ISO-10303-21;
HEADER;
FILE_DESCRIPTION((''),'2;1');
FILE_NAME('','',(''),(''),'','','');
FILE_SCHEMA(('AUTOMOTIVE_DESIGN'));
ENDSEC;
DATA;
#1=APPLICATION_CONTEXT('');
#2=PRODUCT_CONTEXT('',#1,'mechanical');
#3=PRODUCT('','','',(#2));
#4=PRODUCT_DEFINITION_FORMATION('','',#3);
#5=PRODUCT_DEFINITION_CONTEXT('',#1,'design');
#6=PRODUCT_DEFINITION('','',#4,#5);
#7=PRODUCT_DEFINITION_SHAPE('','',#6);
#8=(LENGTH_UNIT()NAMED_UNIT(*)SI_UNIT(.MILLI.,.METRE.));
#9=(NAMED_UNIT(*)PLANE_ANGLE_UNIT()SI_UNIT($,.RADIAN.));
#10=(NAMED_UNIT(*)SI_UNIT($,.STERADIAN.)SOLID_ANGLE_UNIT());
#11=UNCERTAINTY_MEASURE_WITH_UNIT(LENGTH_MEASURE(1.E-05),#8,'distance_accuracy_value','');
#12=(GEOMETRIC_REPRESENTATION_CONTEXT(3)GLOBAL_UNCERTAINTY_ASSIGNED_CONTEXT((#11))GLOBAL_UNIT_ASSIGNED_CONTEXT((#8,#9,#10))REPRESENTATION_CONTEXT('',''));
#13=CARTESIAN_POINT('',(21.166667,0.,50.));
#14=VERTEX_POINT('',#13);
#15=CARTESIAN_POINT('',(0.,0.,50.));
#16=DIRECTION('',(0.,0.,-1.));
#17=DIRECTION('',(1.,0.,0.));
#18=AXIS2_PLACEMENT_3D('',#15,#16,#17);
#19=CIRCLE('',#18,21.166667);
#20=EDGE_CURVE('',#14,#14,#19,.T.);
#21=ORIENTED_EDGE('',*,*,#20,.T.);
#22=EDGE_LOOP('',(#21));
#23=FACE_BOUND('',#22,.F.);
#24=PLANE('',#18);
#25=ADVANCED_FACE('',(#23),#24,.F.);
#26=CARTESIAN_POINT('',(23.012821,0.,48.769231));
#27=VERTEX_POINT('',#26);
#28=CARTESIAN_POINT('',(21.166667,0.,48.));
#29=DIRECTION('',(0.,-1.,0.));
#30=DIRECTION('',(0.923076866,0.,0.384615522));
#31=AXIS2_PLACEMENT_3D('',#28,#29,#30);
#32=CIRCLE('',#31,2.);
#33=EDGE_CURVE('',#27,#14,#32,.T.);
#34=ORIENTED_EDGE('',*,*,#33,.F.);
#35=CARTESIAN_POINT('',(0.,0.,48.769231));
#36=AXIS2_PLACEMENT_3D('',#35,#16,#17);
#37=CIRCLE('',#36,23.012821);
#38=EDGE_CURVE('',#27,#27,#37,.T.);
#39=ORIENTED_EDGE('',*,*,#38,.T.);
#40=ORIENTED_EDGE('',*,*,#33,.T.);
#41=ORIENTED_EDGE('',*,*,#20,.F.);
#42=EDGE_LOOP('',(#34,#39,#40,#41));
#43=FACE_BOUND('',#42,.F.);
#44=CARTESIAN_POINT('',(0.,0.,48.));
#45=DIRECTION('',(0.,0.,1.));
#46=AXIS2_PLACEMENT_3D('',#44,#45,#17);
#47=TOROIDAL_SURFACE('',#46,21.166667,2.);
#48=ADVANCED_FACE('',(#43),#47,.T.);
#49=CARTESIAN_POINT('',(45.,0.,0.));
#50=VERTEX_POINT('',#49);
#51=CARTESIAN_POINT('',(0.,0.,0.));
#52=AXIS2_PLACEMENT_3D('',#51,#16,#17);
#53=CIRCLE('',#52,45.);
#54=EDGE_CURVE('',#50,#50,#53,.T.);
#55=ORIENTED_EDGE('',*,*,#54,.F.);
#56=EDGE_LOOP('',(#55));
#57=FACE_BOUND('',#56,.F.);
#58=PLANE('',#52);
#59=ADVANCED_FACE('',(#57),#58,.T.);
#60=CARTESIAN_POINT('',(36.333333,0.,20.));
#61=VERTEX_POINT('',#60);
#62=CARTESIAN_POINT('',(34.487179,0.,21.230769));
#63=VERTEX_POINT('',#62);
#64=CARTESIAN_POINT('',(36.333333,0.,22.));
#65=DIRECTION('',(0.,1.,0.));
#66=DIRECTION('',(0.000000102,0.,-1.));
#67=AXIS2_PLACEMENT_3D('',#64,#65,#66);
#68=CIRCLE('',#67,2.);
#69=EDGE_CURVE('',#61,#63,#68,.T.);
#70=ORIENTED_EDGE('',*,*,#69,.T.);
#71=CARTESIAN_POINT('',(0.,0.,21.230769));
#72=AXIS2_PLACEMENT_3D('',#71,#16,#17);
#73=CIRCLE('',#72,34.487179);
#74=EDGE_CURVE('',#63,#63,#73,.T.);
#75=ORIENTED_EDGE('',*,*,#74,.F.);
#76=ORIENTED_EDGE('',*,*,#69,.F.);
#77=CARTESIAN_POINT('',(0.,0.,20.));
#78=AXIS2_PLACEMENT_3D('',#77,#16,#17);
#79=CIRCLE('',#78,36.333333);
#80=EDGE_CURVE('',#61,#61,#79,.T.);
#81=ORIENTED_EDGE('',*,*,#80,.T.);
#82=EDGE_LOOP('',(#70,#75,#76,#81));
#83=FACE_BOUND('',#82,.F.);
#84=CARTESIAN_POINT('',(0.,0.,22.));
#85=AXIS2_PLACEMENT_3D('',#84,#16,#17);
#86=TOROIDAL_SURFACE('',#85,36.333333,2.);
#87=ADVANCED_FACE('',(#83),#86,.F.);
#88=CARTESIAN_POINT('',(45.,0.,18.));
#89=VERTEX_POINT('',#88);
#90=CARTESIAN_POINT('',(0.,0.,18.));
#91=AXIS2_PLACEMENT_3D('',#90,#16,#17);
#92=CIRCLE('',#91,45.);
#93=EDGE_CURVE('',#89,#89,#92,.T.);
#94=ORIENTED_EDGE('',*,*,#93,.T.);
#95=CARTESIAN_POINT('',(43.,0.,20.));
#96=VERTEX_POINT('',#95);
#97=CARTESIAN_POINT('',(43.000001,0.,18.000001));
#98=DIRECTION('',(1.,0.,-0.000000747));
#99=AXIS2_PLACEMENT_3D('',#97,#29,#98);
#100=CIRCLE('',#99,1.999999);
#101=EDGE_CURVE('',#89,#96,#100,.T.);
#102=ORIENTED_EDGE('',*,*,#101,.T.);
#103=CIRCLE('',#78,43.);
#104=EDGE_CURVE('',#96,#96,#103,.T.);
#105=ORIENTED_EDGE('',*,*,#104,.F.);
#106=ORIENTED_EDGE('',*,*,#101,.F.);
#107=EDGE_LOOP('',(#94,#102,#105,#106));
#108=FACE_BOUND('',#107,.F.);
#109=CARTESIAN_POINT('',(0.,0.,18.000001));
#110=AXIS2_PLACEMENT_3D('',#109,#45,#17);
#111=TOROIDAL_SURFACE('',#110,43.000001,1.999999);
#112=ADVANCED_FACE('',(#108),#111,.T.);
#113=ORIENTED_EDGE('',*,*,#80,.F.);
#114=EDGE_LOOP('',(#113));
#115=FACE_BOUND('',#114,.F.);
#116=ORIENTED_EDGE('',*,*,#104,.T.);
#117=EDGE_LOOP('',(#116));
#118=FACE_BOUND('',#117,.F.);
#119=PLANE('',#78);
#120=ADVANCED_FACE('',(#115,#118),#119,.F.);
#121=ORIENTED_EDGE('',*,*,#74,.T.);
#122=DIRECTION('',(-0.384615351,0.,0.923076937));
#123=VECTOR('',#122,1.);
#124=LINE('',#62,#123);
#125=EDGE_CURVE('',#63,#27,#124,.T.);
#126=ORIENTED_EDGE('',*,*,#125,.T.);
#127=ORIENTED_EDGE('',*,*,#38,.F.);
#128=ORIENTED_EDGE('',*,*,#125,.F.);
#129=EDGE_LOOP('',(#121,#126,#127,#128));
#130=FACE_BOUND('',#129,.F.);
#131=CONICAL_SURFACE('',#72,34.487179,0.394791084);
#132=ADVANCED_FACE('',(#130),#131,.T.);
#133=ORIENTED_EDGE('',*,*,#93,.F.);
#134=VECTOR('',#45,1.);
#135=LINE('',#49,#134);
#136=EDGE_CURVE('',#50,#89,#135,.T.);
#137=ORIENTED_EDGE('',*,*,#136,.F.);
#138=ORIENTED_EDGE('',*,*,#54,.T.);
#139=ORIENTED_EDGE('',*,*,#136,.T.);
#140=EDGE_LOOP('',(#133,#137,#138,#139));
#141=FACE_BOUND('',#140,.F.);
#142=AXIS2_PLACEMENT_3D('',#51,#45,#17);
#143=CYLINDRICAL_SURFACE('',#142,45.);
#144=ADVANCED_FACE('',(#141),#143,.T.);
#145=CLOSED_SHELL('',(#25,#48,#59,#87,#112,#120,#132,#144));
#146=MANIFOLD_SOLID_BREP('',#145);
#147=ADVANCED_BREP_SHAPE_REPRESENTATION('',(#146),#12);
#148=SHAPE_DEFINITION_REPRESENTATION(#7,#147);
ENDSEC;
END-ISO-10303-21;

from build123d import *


with BuildPart() as f1:
    # F0 (on Front) → F1 (revolve)
    with BuildSketch(Plane.XZ):
        with BuildLine():
            Line((21.166667, 50), (0, 50))
            Line((0, 50), (0, 0))
            Line((0, 0), (45, 0))
            Line((45, 0), (45, 18))
            ThreePointArc((45, 18), (44.414214, 19.414214), (43, 20))
            Line((43, 20), (36.333333, 20))
            ThreePointArc((36.333333, 20), (35.223933, 20.335899), (34.487179, 21.230769))
            Line((34.487179, 21.230769), (23.012821, 48.769231))
            ThreePointArc((23.012821, 48.769231), (22.276067, 49.664101), (21.166667, 50))
        make_face()
    revolve(axis=Axis((0, 0, 14.774593), (0, 0, -1)))


solid = f1.part
